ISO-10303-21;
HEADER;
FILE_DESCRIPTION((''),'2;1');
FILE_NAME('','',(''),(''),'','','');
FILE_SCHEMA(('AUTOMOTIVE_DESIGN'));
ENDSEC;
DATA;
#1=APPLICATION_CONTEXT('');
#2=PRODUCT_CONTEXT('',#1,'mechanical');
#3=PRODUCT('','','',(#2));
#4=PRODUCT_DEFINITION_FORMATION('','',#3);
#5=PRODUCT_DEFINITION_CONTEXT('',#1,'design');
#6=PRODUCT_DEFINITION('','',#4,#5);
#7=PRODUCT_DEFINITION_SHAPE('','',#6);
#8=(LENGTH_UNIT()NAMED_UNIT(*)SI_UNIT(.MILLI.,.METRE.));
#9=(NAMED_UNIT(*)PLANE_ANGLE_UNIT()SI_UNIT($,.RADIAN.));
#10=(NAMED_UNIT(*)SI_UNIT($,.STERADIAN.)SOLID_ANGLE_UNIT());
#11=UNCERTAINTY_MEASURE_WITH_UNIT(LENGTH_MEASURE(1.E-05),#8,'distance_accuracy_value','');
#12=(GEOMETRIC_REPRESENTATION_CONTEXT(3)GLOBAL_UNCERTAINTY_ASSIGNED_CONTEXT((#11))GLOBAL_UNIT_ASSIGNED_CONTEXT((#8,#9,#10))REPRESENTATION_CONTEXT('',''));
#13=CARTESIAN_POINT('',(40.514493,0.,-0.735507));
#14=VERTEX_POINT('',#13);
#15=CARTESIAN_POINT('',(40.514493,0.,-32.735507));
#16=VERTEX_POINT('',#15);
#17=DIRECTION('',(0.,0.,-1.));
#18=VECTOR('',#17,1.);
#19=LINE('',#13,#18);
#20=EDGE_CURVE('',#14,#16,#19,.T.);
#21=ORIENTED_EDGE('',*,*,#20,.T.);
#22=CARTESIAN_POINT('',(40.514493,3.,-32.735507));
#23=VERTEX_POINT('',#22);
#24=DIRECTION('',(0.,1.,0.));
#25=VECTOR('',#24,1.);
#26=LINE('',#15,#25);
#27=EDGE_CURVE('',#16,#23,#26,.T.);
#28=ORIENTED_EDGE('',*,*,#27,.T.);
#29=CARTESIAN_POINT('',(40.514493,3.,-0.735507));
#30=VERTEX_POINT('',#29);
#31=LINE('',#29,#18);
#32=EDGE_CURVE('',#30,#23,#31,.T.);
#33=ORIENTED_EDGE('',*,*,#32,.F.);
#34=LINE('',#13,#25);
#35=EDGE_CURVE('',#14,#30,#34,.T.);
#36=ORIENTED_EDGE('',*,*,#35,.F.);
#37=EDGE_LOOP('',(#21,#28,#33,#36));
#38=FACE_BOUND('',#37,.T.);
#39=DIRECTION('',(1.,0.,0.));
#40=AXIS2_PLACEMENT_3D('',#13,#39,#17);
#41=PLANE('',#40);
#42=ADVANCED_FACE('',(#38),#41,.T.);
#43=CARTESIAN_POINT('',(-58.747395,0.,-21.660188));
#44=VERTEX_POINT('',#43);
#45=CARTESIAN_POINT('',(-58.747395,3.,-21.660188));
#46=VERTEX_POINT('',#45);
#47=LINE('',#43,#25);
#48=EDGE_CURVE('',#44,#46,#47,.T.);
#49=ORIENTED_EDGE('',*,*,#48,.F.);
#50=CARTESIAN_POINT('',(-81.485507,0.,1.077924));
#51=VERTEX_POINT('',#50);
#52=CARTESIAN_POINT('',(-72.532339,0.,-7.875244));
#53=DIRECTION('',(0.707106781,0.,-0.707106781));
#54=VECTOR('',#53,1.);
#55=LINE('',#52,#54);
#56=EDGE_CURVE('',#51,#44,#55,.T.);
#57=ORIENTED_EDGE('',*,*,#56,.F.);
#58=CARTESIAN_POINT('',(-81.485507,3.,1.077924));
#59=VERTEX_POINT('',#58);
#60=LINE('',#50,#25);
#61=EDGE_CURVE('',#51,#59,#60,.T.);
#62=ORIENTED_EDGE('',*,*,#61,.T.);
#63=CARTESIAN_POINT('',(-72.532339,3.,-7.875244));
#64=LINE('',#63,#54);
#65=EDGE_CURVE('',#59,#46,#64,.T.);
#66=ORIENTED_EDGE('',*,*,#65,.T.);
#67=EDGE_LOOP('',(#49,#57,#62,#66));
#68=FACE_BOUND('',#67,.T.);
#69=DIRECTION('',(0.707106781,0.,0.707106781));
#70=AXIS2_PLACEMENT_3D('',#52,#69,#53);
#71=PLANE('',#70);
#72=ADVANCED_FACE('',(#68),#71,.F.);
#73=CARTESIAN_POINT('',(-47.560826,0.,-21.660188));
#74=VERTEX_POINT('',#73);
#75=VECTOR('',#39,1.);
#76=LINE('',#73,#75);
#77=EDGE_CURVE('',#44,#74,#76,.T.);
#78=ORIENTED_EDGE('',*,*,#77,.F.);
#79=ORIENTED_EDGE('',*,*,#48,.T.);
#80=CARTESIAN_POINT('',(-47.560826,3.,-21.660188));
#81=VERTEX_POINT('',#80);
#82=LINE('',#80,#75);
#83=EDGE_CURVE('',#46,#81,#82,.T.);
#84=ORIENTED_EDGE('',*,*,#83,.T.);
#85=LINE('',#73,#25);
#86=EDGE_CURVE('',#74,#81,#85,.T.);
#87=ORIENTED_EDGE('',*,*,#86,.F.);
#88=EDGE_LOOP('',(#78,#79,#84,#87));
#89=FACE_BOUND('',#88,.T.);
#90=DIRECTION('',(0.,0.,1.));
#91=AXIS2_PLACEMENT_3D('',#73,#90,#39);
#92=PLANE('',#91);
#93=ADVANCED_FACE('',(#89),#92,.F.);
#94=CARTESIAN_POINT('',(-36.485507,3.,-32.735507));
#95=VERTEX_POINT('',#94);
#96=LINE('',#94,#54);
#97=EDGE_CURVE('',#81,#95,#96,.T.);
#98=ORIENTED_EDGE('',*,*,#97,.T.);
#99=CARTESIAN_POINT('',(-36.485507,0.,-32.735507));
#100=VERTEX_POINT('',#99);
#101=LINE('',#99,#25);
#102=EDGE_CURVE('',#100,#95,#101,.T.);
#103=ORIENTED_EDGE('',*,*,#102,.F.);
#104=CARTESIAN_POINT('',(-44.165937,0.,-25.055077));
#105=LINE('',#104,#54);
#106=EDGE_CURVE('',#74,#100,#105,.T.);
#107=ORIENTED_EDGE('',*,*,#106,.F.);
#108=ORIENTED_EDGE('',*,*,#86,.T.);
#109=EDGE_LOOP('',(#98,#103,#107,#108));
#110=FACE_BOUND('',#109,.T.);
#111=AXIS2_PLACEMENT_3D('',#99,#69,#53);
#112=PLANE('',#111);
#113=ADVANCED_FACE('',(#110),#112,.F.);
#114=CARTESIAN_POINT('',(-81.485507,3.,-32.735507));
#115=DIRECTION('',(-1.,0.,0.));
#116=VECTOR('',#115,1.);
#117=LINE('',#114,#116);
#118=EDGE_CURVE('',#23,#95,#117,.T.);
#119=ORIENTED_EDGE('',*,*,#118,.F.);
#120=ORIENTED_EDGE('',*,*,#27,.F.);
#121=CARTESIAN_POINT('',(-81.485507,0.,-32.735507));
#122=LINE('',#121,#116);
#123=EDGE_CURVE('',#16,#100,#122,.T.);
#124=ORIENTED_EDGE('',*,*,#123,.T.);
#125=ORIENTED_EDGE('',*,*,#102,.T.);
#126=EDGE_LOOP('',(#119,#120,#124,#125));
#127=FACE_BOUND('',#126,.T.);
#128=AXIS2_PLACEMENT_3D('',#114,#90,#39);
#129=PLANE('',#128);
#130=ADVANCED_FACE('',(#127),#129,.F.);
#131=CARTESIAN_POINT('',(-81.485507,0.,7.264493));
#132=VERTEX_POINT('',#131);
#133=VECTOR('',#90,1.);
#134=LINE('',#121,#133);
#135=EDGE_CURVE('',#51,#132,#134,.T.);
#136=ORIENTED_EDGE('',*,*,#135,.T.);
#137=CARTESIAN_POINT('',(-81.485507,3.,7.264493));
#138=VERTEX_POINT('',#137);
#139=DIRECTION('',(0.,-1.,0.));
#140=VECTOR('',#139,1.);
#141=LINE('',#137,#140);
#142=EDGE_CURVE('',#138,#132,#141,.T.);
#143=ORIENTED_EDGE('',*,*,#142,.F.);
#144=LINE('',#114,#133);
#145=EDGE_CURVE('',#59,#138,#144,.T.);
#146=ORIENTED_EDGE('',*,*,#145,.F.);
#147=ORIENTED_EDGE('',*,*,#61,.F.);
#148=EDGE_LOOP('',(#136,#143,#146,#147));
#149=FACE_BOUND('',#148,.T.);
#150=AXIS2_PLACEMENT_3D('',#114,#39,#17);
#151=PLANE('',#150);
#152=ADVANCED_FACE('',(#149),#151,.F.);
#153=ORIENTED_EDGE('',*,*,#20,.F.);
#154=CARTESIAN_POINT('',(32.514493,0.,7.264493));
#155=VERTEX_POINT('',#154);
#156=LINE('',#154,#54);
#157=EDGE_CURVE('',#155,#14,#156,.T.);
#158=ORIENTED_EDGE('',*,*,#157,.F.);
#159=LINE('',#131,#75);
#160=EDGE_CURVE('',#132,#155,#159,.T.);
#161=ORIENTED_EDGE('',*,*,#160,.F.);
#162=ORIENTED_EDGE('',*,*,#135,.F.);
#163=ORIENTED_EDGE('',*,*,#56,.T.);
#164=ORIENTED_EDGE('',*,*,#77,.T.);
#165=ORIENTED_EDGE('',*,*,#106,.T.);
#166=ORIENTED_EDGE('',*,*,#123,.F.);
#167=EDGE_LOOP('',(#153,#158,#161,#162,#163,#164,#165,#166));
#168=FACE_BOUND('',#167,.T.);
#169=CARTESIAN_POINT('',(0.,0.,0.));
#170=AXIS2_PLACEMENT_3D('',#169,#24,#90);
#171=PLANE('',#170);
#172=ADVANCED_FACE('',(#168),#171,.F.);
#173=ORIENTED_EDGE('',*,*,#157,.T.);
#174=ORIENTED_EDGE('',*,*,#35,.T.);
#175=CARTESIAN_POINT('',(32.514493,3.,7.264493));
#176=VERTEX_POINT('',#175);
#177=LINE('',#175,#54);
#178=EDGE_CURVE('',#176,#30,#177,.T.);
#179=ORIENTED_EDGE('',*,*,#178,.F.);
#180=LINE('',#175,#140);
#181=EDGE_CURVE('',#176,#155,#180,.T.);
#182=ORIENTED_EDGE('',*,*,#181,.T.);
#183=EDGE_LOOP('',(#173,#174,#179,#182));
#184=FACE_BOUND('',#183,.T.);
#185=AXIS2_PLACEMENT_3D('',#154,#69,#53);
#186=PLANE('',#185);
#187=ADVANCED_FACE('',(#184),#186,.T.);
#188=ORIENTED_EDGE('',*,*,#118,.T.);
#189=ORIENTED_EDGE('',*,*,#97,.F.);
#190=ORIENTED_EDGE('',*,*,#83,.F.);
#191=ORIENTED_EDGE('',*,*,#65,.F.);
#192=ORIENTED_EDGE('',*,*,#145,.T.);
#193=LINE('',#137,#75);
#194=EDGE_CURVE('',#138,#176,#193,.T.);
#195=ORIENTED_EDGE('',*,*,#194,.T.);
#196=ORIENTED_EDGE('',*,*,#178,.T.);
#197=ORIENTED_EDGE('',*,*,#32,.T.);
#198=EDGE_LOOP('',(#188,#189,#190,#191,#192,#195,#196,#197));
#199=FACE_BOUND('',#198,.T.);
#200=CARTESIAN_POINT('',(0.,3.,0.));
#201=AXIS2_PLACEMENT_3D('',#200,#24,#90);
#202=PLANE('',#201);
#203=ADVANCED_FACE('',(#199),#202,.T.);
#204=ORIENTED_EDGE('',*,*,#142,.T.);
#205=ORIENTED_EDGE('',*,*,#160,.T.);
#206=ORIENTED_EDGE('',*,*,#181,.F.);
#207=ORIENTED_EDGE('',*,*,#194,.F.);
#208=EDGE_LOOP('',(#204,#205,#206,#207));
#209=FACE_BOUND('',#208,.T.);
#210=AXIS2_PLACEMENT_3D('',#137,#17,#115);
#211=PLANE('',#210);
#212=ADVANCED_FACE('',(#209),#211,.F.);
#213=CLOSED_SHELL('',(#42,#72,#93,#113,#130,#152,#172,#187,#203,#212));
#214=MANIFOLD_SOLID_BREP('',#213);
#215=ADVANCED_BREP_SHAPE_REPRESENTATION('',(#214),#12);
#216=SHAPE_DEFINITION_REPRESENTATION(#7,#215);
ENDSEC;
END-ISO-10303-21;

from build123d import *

# Parameters (mm, degrees)
SKETCH1_W           = 114
SKETCH1_H           = 40
BOSS_EXTRUDE1_DEPTH = 3
CUT_EXTRUDE1_DEPTH  = 4
BOSS_EXTRUDE2_DEPTH = 3


with BuildPart() as part:
    # Sketch1 → Boss-Extrude1 (new body)
    with BuildSketch(Plane(origin=(0, 0, 0), x_dir=(1, 0, 0), z_dir=(0, 1, 0))):
        with Locations((-24.485507246, 12.735507246)):
            Rectangle(SKETCH1_W, SKETCH1_H)
    extrude(amount=BOSS_EXTRUDE1_DEPTH)

    # Sketch2 → Cut-Extrude1 (cut, through all)
    with BuildSketch(Plane(origin=(0, 3, 0), x_dir=(1, 0, 0), z_dir=(0, 1, 0))):
        Polygon((-36.485507246, 32.735507246), (-44.165937049, 25.055077444), (-47.560826058, 21.660188435), (-58.747394556, 21.660188435), (-72.532338505, 7.875244486), (-81.485507246, -1.077924256), (-81.485507246, 32.735507246), align=None)
    extrude(amount=-CUT_EXTRUDE1_DEPTH, mode=Mode.SUBTRACT)

    # Sketch3 → Boss-Extrude2 (add, through all)
    with BuildSketch(Plane(origin=(0, 3, 0), x_dir=(1, 0, 0), z_dir=(0, 1, 0))):
        Polygon((32.514492754, -7.264492754), (40.514492754, 0.735507246), (40.514492754, 32.735507246), (32.514492754, 32.735507246), align=None)
    extrude(amount=-BOSS_EXTRUDE2_DEPTH)


solid = part.part
